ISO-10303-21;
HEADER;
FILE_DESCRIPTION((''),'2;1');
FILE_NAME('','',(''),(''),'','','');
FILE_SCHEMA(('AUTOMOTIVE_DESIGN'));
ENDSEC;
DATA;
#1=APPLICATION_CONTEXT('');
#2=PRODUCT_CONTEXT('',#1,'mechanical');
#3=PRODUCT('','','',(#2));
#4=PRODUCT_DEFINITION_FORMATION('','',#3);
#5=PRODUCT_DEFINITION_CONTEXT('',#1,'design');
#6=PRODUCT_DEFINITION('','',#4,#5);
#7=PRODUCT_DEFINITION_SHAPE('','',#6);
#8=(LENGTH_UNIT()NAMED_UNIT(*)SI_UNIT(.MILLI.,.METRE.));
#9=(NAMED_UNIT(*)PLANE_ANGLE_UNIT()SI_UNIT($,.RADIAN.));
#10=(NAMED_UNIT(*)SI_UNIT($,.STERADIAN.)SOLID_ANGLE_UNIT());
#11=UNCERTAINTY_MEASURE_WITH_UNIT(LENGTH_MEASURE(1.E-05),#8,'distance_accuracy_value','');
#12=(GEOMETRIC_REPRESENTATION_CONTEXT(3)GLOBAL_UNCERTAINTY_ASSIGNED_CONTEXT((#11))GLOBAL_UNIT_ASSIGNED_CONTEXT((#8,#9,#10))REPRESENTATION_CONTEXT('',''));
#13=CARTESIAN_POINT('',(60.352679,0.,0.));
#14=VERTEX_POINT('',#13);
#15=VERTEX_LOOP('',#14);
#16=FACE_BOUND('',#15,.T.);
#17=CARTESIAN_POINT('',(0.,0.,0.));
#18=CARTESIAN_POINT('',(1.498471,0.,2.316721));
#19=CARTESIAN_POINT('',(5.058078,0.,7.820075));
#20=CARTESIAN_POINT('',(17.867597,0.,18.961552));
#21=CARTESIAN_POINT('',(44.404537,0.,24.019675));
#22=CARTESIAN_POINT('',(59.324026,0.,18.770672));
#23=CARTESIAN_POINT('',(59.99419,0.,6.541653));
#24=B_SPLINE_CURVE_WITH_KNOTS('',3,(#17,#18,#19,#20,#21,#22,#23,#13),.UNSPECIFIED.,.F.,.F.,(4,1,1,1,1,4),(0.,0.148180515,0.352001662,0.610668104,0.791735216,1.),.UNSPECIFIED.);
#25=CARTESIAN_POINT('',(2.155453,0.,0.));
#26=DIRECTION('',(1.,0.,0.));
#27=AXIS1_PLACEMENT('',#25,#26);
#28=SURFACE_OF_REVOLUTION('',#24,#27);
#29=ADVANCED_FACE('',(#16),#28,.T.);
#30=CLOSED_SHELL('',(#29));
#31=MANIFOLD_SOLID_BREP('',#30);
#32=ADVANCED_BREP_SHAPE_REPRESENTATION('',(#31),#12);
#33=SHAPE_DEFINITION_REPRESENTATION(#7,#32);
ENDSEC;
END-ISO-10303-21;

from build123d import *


with BuildPart() as f1:
    # F0 (on Front) → F1 (revolve)
    with BuildSketch(Plane.XZ):
        with BuildLine():
            add(Edge.make_bspline(
                [(0, 0), (1.4984711812, 2.3167214337), (5.0580778412, 7.8200752175), (17.8675965254, 18.9615522032), (44.4045372694, 24.0196748668), (59.3240261675, 18.7706717614), (59.9941896808, 6.5416526462), (60.352679342, 0)],
                knots=[0, 0, 0, 0, 0.1481805146, 0.3520016622, 0.6106681037, 0.7917352156, 1, 1, 1, 1], degree=3))
            Line((0, 0), (60.352679342, 0))
        make_face()
    revolve(axis=Axis((2.1554529667, 0, 0), (1, 0, 0)))


solid = f1.part
